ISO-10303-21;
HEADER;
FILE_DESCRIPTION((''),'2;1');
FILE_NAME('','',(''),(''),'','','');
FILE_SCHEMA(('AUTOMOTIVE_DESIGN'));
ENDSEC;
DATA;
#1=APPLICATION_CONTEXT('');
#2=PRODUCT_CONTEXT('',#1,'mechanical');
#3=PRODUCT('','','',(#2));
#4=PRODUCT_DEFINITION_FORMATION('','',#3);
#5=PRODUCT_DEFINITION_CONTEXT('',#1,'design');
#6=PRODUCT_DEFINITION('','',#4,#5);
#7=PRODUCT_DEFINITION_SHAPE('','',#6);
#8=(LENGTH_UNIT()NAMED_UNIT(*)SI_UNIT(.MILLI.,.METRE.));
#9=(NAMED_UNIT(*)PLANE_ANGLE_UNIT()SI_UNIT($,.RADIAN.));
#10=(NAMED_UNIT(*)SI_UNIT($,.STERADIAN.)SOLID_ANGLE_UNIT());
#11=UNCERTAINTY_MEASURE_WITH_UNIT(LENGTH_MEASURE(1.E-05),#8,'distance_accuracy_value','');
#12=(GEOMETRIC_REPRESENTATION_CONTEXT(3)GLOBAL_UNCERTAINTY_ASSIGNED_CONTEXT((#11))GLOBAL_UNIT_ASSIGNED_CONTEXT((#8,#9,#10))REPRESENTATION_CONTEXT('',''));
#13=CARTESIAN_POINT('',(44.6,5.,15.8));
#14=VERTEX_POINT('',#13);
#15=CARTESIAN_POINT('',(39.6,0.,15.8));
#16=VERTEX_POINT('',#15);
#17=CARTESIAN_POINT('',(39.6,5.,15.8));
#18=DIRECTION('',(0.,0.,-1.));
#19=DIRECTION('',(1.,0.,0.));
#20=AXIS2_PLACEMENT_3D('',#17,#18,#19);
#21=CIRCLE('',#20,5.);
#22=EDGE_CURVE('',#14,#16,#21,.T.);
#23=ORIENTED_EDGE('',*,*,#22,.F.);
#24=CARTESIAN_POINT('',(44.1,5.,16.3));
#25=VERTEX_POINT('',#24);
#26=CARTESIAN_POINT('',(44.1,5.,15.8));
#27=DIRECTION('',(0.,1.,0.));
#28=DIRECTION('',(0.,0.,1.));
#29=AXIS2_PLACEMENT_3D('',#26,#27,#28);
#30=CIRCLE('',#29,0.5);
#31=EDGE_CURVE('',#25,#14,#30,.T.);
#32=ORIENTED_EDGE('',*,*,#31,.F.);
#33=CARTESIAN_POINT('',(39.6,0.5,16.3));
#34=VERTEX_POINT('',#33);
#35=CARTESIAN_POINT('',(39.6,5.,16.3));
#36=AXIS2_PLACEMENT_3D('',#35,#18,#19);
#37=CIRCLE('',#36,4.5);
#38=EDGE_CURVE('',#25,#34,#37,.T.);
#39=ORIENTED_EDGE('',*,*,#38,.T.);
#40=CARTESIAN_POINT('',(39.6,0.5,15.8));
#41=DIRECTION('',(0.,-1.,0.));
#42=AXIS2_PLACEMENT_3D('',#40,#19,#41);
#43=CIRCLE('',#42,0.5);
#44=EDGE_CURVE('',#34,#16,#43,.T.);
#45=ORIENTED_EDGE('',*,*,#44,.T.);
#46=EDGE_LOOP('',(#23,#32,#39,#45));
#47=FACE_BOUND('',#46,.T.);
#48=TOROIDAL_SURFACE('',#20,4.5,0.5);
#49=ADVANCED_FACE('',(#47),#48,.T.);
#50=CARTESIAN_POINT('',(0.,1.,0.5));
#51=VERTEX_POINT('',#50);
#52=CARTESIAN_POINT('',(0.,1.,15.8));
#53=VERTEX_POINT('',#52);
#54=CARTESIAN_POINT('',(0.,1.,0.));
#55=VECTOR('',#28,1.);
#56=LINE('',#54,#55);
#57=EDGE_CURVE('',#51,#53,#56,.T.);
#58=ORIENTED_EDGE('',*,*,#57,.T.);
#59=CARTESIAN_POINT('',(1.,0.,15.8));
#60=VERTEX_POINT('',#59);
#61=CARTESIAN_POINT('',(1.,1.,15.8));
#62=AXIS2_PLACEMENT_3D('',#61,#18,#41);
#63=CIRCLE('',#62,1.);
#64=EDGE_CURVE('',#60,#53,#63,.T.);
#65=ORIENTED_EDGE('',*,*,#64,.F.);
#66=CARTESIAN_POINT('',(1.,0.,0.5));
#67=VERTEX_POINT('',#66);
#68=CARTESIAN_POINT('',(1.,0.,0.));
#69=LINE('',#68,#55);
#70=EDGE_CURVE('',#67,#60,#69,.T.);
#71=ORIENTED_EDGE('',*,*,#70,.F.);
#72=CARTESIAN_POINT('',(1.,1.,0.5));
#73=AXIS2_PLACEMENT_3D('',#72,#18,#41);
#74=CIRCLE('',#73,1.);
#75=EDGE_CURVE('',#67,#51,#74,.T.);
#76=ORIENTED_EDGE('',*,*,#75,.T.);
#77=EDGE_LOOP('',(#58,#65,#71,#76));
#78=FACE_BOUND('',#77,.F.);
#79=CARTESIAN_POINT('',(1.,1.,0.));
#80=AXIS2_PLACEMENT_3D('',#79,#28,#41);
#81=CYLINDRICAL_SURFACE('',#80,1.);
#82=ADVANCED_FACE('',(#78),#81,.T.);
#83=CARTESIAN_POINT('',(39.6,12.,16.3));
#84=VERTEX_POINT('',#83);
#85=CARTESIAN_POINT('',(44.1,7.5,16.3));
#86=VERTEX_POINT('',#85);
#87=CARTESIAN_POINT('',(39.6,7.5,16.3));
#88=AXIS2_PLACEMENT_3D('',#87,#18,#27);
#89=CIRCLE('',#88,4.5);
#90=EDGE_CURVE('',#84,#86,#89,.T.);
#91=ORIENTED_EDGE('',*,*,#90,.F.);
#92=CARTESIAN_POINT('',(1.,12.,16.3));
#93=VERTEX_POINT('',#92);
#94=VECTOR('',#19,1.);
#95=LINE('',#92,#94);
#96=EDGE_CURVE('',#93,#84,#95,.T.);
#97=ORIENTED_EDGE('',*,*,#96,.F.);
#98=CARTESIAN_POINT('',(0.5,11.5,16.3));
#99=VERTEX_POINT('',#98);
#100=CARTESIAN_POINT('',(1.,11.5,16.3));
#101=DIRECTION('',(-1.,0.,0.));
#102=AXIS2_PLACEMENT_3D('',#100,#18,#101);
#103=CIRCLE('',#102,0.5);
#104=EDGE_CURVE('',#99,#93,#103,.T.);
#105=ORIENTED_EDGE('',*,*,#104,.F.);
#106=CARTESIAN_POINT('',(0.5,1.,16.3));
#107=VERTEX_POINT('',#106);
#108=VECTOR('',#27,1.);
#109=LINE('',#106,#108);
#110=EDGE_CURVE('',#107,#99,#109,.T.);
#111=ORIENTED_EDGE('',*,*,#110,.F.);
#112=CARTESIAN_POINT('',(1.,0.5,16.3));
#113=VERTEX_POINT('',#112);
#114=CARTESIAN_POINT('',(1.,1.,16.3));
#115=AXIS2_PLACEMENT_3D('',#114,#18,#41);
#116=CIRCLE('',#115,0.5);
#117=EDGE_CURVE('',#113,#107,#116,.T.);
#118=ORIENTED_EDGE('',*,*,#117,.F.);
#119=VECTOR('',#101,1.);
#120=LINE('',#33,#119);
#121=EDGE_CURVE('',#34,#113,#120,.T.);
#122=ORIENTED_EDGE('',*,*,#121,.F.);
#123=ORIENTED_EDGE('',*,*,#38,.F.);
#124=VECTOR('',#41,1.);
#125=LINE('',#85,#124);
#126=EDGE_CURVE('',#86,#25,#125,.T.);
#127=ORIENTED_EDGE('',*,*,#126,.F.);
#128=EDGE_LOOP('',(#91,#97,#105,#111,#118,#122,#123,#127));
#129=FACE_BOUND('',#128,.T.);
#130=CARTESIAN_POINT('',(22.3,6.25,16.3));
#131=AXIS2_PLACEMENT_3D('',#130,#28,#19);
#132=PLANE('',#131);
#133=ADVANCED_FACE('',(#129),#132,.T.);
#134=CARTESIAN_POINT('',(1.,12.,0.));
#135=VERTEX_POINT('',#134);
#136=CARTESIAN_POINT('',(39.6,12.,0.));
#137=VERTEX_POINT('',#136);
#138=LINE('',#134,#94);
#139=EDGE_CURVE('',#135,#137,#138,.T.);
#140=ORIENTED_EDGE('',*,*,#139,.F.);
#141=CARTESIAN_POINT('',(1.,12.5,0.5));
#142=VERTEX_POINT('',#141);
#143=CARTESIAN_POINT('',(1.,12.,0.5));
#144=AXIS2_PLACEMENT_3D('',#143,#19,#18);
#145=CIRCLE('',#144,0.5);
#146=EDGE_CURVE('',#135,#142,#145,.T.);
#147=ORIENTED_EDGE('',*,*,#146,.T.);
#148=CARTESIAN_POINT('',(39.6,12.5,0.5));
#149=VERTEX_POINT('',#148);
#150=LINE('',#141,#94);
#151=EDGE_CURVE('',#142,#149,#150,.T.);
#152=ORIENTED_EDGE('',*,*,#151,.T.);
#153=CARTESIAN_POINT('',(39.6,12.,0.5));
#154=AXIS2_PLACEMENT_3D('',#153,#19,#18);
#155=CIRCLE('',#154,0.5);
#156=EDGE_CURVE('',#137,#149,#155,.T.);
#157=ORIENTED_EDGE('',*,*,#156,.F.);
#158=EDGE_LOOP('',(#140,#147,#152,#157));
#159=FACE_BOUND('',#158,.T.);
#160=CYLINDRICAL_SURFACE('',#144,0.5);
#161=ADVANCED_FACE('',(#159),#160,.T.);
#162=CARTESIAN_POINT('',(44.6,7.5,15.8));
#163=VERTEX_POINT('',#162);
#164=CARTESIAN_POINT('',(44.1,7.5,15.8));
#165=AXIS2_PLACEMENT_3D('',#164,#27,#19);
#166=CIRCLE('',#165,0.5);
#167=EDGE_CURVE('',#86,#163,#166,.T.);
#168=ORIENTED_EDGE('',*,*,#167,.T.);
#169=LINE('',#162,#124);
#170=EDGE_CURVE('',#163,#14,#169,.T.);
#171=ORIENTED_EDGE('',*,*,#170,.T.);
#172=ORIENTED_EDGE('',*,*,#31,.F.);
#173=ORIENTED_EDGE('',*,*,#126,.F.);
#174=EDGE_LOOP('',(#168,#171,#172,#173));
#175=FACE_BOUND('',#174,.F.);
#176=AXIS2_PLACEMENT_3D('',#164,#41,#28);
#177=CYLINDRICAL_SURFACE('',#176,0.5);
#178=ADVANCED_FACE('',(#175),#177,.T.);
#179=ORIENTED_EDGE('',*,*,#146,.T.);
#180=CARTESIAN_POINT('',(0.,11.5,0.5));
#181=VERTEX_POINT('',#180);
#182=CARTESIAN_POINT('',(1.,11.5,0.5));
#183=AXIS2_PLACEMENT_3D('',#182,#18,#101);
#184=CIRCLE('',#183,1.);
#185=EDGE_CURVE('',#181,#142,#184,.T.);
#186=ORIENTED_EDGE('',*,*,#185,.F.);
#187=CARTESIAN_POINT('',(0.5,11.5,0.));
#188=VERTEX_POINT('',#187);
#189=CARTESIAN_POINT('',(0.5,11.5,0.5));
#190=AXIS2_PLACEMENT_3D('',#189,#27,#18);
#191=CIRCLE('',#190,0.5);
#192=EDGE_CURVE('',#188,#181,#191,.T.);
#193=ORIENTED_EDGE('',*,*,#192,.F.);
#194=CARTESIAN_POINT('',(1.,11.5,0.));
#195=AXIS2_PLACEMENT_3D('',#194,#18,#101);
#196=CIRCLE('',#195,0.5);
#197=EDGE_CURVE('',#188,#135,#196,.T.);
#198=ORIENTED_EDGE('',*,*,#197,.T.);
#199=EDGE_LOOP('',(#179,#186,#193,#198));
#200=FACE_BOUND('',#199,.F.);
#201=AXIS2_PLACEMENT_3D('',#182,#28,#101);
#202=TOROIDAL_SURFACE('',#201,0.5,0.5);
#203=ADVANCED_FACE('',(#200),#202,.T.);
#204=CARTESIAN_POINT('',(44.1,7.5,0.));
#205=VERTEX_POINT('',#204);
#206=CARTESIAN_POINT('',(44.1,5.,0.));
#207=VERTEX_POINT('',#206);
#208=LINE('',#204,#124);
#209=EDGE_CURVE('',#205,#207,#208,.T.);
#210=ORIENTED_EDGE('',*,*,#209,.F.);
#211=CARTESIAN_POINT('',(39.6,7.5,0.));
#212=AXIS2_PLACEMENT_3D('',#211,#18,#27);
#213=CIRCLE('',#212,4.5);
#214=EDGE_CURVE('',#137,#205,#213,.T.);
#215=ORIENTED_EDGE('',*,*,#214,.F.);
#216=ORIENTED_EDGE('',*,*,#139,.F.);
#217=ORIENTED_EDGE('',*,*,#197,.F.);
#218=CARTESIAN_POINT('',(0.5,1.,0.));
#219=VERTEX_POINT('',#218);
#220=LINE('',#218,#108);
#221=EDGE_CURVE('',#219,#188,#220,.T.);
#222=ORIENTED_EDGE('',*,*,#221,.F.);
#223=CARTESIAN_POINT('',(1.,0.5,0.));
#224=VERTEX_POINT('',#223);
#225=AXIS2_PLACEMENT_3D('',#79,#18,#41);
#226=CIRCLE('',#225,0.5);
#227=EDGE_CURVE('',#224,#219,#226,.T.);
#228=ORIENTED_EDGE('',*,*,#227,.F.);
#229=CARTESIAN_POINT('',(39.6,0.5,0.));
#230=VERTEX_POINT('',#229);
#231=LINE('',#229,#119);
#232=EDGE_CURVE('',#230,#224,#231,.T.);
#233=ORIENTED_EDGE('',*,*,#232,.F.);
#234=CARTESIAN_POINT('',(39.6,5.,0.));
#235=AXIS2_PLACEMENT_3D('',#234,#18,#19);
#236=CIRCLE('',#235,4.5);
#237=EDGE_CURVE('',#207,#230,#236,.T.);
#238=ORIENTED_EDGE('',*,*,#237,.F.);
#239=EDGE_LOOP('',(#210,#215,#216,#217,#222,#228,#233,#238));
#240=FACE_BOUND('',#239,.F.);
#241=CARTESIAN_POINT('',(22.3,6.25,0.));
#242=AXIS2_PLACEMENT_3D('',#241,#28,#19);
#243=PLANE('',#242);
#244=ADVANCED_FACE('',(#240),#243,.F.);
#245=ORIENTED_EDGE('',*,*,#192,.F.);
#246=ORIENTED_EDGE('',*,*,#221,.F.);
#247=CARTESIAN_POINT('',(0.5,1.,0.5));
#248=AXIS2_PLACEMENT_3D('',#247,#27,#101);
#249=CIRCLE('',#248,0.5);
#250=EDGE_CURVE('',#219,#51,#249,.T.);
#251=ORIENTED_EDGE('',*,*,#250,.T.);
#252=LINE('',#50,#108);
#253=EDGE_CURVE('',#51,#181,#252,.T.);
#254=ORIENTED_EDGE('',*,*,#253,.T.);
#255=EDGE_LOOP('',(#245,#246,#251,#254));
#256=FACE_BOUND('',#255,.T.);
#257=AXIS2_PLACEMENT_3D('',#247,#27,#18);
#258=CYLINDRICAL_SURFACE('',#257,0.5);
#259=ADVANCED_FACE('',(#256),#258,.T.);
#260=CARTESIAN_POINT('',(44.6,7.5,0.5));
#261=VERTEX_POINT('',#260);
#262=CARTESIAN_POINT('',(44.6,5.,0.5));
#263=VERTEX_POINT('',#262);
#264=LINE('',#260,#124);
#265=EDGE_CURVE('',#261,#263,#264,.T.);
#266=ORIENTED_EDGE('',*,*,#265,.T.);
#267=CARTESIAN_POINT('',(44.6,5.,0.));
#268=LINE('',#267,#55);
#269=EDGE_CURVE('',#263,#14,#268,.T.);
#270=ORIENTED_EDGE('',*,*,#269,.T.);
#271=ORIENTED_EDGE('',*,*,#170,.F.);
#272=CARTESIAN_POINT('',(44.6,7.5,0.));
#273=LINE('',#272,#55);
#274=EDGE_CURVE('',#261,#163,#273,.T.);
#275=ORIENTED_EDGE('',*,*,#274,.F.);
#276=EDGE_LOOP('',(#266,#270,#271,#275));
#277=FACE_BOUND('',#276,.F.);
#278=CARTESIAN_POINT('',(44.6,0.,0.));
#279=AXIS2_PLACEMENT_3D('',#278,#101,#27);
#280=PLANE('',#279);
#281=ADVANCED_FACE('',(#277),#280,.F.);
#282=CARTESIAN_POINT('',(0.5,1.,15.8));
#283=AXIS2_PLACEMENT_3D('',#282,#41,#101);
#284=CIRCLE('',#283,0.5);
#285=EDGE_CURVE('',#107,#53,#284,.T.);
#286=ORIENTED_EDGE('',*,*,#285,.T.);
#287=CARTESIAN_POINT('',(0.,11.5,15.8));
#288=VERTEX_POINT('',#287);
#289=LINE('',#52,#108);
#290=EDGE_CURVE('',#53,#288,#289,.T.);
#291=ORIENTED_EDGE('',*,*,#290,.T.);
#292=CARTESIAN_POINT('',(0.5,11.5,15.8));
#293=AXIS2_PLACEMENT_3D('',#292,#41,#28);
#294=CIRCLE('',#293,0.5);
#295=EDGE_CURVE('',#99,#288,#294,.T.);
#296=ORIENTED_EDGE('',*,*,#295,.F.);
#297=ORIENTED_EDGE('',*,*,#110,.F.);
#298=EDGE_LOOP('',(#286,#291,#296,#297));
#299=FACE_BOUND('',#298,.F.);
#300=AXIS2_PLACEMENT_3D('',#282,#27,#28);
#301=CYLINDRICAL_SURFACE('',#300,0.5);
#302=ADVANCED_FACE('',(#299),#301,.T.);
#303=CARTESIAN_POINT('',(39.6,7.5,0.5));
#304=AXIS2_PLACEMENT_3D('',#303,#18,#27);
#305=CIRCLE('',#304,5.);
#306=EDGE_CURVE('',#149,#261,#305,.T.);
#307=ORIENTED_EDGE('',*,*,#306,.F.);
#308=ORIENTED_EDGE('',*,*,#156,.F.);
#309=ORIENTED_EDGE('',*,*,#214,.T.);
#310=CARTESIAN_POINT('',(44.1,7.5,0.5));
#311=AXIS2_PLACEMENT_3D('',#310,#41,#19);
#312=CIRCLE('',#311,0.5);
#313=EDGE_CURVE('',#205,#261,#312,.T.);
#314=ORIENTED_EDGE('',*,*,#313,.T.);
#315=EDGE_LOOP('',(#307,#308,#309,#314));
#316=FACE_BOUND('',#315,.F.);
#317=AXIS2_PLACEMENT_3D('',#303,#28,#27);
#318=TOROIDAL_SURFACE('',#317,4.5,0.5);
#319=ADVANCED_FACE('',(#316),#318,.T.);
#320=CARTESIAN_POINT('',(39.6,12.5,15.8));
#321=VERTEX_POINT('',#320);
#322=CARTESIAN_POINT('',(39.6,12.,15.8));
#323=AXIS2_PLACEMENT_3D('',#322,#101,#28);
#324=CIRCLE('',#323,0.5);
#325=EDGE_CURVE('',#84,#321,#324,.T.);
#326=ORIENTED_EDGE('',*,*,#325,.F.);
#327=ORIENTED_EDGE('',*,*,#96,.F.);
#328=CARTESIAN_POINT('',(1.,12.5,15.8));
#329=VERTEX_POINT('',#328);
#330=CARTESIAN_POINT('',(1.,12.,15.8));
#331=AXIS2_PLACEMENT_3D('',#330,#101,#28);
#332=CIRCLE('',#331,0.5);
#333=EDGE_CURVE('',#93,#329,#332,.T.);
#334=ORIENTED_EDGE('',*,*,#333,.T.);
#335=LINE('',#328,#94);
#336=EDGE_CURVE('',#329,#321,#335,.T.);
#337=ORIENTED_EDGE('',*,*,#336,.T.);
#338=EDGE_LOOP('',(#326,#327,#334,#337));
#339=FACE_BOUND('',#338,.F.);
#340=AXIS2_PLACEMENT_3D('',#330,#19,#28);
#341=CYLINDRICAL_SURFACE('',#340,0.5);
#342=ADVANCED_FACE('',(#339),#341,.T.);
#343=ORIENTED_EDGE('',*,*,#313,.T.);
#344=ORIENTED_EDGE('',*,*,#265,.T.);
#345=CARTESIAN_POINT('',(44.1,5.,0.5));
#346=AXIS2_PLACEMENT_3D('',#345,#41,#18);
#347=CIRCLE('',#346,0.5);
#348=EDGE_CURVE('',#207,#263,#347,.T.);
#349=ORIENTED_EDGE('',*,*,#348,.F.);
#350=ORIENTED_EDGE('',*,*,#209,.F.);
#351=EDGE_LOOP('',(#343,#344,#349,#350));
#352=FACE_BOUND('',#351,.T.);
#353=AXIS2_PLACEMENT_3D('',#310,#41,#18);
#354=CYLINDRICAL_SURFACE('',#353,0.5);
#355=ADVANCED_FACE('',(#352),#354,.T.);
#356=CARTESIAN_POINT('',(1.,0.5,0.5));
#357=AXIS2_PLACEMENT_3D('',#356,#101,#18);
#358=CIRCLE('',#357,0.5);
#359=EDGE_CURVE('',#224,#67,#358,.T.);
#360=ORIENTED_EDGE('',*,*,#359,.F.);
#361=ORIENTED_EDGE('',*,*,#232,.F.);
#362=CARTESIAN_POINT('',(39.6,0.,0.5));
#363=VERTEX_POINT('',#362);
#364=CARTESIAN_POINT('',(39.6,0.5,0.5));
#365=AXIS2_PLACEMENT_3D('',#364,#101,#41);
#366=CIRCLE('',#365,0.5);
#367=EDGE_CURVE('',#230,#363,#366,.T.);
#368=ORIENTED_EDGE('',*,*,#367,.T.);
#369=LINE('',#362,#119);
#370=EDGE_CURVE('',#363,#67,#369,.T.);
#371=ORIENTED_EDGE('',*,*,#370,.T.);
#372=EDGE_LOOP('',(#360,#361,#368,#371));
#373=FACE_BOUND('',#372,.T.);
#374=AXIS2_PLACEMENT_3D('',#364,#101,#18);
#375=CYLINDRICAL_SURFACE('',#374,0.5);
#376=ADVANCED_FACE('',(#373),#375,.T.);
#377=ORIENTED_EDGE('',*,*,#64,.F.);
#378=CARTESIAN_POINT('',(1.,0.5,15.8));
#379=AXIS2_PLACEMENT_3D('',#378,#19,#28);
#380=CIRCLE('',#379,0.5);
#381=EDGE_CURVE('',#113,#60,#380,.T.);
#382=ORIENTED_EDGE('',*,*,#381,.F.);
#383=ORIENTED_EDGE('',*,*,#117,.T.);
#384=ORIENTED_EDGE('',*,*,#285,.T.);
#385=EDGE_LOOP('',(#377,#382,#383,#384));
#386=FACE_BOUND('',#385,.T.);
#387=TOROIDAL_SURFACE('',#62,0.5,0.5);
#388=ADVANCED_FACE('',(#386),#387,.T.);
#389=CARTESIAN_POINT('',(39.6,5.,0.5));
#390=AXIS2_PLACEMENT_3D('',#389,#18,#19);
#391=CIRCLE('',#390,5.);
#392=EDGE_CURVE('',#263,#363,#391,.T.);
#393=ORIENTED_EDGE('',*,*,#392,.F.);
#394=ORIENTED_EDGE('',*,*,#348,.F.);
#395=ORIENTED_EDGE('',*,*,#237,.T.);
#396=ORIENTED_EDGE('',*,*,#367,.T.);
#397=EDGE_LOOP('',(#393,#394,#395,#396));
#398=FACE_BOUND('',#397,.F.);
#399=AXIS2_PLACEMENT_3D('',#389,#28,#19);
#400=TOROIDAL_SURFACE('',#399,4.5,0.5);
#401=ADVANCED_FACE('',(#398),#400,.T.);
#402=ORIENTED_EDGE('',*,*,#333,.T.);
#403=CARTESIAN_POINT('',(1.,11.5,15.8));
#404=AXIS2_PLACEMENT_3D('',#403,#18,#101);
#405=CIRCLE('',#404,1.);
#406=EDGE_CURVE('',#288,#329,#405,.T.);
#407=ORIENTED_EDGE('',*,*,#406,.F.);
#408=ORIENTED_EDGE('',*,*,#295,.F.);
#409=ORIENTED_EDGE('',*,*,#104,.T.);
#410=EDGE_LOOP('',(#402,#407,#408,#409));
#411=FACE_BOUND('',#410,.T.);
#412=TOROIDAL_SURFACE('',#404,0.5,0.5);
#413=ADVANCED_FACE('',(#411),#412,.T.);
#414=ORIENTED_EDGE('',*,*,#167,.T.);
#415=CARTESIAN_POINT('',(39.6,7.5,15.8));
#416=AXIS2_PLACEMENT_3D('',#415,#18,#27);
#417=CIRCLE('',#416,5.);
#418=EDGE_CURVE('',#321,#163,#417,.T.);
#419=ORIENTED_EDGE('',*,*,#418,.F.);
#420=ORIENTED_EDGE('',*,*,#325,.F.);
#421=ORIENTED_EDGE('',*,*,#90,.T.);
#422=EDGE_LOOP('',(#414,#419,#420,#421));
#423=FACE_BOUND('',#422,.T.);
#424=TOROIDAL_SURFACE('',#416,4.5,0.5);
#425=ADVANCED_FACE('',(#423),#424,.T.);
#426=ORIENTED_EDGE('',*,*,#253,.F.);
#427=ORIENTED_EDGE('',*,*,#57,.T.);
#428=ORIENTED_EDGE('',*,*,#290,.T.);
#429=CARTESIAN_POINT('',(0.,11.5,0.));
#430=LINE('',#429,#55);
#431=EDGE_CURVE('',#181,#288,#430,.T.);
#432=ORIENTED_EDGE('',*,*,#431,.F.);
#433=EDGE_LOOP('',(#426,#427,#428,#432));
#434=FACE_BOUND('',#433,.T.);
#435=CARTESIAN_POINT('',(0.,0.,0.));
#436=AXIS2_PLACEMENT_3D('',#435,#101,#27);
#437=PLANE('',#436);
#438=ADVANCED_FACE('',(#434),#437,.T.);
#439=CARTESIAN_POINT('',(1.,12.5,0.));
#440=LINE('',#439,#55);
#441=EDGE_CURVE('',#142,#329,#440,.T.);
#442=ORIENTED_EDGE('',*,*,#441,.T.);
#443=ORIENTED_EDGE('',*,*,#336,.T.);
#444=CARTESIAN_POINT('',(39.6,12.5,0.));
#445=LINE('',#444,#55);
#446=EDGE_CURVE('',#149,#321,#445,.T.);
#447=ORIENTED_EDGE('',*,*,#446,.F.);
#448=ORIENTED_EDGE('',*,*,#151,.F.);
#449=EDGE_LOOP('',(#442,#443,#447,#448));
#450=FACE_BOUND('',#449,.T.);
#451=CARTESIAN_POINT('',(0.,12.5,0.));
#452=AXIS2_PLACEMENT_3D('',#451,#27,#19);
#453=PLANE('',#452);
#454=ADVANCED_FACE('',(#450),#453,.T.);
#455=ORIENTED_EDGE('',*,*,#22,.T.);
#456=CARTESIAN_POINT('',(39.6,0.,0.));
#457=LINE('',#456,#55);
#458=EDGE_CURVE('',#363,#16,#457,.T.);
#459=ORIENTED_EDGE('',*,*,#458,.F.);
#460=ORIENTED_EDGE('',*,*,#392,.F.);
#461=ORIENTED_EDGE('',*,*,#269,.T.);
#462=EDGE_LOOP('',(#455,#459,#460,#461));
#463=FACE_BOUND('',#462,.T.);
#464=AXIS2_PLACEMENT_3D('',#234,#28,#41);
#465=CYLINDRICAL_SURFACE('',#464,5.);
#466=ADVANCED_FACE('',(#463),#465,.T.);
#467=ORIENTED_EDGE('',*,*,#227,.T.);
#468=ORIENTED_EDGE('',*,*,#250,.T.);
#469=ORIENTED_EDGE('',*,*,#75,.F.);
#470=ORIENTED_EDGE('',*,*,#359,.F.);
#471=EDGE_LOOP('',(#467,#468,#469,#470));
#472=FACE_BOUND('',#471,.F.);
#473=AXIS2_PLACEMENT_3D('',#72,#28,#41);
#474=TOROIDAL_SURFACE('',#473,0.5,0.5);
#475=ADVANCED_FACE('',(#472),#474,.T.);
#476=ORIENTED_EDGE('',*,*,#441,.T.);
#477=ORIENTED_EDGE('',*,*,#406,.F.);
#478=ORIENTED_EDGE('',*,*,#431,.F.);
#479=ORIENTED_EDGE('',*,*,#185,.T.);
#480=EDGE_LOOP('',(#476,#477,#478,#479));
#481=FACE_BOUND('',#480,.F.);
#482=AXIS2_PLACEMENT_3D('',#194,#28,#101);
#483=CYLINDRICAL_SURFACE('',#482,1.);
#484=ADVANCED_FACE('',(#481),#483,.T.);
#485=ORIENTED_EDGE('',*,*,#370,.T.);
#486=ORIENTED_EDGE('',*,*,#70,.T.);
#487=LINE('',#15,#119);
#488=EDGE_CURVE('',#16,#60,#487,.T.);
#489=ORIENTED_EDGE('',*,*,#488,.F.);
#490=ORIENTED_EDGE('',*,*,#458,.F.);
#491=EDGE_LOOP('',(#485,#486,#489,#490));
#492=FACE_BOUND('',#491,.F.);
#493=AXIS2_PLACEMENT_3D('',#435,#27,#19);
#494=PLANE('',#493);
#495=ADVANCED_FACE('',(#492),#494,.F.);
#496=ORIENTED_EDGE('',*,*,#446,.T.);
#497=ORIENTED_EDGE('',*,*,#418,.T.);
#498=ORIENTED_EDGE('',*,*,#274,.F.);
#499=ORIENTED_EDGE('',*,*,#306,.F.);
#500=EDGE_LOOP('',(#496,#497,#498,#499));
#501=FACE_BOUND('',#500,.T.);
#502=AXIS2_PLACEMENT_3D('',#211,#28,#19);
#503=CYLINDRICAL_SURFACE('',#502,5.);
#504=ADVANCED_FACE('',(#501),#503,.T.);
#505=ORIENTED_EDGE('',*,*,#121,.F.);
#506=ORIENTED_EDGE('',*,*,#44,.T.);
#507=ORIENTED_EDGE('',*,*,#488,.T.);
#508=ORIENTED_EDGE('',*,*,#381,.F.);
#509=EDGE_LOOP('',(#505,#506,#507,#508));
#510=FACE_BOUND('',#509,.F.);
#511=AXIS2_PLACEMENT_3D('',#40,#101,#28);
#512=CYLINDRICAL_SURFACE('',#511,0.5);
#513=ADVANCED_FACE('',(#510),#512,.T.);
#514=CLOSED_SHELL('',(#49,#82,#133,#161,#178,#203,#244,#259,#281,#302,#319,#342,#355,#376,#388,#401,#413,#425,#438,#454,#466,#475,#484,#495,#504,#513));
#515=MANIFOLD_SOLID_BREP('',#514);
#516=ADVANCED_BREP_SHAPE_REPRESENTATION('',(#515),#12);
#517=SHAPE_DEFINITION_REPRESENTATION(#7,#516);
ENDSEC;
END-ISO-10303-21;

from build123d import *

# Parameters (mm, degrees)
BOX_W       = 44.6
BOX_H       = 12.5
BOX_DEPTH   = 16.3
FILLET_R    = 5
FILLET001_R = 1
FILLET002_R = 0.5


with BuildPart() as part:
    # Box → Box (new body)
    with BuildSketch(Plane.XY):
        with Locations((22.3, 6.25)):
            Rectangle(BOX_W, BOX_H)
    extrude(amount=BOX_DEPTH)

    # Fillet
    fillet_edges = [part.edges().sort_by_distance(p)[0] for p in [
        (44.6, 0, 8.15),
        (44.6, 12.5, 8.15),
    ]]
    fillet(fillet_edges, radius=FILLET_R)

    # Fillet001
    fillet001_edges = [part.edges().sort_by_distance(p)[0] for p in [
        (0, 12.5, 8.15),
        (0, 0, 8.15),
    ]]
    fillet(fillet001_edges, radius=FILLET001_R)

    # Fillet002
    fillet002_edges = [part.edges().sort_by_distance(p)[0] for p in [
        (20.3, 12.5, 16.3),
        (20.3, 12.5, 0),
    ]]
    fillet(fillet002_edges, radius=FILLET002_R)


solid = part.part
